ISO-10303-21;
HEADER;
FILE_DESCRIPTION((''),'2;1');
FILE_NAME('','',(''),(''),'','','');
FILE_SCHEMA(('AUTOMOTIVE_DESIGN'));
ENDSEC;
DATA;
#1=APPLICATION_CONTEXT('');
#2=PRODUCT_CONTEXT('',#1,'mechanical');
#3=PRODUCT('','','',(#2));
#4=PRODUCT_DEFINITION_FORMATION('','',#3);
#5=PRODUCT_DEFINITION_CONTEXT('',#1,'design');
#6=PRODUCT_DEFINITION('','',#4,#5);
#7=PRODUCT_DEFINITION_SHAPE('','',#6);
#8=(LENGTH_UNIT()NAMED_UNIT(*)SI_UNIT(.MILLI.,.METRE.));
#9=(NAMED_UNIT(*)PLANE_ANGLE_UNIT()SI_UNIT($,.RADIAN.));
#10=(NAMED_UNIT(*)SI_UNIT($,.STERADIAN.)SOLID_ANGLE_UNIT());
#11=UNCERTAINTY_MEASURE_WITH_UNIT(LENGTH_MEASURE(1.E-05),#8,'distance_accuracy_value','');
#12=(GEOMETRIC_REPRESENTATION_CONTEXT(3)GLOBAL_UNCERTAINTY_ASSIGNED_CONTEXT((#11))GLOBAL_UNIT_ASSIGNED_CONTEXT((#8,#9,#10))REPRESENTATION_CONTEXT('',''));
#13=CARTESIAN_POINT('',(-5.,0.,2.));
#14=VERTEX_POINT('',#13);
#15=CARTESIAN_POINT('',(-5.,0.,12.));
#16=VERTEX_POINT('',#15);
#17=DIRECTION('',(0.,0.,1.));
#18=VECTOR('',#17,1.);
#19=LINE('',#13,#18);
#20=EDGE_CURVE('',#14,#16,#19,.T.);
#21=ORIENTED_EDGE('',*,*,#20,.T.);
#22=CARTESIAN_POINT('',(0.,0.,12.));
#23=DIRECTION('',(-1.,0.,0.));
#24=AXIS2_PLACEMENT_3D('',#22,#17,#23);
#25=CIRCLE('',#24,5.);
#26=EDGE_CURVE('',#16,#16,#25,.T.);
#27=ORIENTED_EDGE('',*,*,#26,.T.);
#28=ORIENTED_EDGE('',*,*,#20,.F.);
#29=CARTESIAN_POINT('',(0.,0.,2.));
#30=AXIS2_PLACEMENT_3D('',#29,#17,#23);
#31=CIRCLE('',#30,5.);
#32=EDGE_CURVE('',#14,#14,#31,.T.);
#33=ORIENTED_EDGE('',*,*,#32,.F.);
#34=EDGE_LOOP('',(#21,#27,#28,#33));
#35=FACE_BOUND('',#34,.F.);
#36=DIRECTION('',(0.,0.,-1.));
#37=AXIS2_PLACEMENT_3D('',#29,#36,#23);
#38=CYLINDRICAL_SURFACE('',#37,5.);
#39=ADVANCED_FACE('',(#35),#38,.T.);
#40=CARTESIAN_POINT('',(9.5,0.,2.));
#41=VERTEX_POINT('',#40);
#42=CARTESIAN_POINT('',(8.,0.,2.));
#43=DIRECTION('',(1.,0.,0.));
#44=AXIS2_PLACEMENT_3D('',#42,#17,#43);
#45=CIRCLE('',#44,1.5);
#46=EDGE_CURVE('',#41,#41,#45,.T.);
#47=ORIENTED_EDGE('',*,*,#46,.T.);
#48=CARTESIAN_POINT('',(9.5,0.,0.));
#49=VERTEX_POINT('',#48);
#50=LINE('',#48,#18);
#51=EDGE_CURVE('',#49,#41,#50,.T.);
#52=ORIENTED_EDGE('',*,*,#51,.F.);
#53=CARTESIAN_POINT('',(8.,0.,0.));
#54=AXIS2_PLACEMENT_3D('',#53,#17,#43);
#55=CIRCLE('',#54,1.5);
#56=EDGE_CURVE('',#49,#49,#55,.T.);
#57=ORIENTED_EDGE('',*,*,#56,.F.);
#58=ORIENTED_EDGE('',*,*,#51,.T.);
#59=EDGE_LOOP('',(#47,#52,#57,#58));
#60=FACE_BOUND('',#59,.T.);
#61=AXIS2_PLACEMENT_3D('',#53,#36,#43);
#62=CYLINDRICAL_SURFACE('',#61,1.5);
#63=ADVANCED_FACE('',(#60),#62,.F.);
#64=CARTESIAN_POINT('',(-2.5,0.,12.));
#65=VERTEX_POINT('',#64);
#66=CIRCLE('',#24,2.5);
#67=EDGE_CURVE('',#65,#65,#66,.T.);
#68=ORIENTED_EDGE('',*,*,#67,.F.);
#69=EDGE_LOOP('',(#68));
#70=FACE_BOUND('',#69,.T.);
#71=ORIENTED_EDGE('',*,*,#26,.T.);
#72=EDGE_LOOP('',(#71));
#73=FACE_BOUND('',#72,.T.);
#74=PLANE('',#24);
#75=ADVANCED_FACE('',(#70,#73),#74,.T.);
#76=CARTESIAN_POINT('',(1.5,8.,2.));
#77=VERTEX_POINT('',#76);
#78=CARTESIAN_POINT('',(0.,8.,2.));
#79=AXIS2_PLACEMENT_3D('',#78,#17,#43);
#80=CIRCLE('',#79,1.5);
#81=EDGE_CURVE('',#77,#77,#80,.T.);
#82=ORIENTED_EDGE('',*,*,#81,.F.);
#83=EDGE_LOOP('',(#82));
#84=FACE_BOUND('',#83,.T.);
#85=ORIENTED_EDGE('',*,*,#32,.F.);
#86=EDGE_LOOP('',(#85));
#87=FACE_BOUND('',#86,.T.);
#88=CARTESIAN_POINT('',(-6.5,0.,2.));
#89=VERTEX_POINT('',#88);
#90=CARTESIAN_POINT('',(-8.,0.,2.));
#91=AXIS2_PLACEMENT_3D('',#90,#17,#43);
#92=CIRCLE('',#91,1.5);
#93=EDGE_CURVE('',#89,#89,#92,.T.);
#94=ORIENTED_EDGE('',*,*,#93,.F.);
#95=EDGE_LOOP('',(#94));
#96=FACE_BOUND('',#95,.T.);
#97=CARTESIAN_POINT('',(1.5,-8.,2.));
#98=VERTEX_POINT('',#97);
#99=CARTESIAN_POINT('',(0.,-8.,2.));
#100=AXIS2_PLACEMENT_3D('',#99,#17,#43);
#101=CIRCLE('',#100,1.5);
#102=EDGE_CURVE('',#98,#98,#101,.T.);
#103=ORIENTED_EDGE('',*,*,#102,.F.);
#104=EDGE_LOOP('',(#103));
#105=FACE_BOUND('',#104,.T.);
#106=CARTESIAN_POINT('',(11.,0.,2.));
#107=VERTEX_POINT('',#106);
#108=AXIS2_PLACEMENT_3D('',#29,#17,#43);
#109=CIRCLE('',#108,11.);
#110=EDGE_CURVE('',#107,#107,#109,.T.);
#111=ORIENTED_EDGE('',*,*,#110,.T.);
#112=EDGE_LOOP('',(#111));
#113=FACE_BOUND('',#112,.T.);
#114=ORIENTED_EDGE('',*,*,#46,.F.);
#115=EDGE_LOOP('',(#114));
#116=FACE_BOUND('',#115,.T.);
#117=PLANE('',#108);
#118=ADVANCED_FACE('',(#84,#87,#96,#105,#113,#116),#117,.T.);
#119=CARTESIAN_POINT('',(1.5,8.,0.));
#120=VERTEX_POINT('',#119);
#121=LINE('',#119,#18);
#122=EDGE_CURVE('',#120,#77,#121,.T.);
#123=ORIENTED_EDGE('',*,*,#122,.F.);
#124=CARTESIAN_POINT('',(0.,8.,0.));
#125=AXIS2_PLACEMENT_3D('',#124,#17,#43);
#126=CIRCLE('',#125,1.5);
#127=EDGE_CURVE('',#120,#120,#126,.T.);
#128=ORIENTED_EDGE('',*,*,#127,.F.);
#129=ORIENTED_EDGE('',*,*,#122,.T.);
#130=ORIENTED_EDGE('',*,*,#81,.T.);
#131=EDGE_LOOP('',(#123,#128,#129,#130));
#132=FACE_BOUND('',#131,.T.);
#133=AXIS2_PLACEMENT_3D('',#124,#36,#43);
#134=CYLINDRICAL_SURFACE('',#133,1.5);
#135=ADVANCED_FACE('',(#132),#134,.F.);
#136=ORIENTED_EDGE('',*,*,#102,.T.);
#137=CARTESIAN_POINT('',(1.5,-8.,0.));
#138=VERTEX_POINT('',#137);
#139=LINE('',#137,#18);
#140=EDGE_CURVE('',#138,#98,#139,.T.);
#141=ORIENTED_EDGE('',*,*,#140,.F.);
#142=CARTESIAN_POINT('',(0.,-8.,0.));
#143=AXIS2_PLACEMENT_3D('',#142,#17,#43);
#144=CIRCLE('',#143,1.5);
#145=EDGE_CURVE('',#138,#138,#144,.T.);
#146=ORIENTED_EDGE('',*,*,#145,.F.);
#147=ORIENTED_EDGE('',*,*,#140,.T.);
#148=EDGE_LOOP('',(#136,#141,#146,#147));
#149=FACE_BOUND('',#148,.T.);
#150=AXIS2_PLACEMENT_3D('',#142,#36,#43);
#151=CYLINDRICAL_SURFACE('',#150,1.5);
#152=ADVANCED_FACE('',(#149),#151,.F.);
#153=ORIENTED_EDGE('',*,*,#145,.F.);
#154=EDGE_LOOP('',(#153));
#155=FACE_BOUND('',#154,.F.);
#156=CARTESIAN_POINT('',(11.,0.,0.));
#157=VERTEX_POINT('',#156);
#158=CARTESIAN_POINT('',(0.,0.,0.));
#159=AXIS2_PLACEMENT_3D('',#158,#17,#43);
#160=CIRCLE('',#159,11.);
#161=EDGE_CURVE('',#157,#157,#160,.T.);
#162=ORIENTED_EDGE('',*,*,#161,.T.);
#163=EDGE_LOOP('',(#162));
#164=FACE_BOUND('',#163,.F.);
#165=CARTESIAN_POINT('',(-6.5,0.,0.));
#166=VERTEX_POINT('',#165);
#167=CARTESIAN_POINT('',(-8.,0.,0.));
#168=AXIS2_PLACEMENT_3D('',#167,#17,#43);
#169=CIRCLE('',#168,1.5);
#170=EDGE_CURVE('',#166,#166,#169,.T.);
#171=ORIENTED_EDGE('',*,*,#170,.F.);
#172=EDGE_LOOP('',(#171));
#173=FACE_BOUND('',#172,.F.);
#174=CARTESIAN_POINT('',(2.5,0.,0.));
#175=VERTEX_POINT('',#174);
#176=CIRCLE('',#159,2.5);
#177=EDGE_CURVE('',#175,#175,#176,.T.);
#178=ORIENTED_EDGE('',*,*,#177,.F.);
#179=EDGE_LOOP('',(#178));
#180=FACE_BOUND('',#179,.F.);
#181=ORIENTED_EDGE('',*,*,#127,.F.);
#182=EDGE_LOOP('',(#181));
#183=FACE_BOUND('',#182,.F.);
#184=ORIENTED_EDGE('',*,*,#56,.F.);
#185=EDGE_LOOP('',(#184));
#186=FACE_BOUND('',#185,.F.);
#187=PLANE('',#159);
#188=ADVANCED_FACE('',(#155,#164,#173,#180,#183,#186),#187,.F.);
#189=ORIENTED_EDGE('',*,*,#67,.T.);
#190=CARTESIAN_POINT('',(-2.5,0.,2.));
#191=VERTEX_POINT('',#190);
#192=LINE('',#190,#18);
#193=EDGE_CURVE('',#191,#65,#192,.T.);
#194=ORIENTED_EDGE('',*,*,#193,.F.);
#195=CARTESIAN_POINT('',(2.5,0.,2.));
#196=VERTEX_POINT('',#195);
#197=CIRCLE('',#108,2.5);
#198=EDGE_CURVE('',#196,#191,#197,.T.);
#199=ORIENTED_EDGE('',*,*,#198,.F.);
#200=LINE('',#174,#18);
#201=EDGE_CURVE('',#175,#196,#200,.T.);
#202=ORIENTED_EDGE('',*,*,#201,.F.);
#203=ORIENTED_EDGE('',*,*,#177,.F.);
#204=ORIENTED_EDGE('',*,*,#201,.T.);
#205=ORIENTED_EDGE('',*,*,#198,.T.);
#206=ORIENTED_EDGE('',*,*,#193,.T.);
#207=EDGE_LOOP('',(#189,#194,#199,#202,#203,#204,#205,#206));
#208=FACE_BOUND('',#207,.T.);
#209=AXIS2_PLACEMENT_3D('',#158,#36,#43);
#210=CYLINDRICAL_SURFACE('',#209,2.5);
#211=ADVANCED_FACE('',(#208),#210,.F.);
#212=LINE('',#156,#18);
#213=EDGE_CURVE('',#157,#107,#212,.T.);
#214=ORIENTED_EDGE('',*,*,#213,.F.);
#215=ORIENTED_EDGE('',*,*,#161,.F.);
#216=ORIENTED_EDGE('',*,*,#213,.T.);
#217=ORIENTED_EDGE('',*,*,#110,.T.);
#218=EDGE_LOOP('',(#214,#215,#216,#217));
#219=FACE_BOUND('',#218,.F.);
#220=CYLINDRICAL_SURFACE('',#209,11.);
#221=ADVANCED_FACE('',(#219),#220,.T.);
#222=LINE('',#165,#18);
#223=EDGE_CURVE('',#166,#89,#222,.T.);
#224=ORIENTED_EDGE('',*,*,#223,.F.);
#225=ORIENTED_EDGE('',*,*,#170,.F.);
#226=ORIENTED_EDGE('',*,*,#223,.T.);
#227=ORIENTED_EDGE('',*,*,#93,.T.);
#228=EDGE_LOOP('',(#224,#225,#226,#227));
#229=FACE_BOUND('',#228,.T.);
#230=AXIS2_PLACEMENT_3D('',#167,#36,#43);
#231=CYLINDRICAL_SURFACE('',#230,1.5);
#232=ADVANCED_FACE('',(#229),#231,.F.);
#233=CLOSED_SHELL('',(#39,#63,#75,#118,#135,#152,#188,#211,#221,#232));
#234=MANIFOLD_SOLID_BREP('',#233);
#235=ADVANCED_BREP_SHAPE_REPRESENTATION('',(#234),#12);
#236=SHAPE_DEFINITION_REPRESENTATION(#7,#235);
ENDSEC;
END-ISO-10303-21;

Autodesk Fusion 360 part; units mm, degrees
sketch "Sketch1" plane through (0, 0, 0) normal (0, 0, 1) x (1, 0, 0)
  circle A0 centre (0, 0) radius 11
  circle A1 centre (0, 0) radius 2.5
  circle A2 centre (0, 0) radius 8 construction
  circle A3 centre (0, 8) radius 1.5
  line L0 (0, 0) -> (0, 11) construction
  circle A4 centre (-8, 0) radius 1.5
  circle A5 centre (0, -8) radius 1.5
  circle A6 centre (8, 0) radius 1.5
  dimension "d1" = 22
  dimension "d2" = 5
  dimension "d3" = 16
  dimension "d4" = 3
  dimension "d6" = 360
extrude "Extrude1" add sketch "Sketch1" along normal blind 2
sketch "Sketch2" plane through (0, 0, 2) normal (0, 0, 1) x (-1, 0, 0)
  circle A0 centre (0, 0) radius 2.5
  circle A1 centre (8, 0) radius 1.5
  circle A2 centre (0, -8) radius 1.5
  circle A3 centre (0, 8) radius 1.5
  circle A4 centre (0, 0) radius 11
  circle A5 centre (0, 0) radius 5
  circle A6 centre (-8, 0) radius 1.5
  dimension "d9" = 10
extrude "Extrude2" add sketch "Sketch2" along normal blind 10 contours A5
